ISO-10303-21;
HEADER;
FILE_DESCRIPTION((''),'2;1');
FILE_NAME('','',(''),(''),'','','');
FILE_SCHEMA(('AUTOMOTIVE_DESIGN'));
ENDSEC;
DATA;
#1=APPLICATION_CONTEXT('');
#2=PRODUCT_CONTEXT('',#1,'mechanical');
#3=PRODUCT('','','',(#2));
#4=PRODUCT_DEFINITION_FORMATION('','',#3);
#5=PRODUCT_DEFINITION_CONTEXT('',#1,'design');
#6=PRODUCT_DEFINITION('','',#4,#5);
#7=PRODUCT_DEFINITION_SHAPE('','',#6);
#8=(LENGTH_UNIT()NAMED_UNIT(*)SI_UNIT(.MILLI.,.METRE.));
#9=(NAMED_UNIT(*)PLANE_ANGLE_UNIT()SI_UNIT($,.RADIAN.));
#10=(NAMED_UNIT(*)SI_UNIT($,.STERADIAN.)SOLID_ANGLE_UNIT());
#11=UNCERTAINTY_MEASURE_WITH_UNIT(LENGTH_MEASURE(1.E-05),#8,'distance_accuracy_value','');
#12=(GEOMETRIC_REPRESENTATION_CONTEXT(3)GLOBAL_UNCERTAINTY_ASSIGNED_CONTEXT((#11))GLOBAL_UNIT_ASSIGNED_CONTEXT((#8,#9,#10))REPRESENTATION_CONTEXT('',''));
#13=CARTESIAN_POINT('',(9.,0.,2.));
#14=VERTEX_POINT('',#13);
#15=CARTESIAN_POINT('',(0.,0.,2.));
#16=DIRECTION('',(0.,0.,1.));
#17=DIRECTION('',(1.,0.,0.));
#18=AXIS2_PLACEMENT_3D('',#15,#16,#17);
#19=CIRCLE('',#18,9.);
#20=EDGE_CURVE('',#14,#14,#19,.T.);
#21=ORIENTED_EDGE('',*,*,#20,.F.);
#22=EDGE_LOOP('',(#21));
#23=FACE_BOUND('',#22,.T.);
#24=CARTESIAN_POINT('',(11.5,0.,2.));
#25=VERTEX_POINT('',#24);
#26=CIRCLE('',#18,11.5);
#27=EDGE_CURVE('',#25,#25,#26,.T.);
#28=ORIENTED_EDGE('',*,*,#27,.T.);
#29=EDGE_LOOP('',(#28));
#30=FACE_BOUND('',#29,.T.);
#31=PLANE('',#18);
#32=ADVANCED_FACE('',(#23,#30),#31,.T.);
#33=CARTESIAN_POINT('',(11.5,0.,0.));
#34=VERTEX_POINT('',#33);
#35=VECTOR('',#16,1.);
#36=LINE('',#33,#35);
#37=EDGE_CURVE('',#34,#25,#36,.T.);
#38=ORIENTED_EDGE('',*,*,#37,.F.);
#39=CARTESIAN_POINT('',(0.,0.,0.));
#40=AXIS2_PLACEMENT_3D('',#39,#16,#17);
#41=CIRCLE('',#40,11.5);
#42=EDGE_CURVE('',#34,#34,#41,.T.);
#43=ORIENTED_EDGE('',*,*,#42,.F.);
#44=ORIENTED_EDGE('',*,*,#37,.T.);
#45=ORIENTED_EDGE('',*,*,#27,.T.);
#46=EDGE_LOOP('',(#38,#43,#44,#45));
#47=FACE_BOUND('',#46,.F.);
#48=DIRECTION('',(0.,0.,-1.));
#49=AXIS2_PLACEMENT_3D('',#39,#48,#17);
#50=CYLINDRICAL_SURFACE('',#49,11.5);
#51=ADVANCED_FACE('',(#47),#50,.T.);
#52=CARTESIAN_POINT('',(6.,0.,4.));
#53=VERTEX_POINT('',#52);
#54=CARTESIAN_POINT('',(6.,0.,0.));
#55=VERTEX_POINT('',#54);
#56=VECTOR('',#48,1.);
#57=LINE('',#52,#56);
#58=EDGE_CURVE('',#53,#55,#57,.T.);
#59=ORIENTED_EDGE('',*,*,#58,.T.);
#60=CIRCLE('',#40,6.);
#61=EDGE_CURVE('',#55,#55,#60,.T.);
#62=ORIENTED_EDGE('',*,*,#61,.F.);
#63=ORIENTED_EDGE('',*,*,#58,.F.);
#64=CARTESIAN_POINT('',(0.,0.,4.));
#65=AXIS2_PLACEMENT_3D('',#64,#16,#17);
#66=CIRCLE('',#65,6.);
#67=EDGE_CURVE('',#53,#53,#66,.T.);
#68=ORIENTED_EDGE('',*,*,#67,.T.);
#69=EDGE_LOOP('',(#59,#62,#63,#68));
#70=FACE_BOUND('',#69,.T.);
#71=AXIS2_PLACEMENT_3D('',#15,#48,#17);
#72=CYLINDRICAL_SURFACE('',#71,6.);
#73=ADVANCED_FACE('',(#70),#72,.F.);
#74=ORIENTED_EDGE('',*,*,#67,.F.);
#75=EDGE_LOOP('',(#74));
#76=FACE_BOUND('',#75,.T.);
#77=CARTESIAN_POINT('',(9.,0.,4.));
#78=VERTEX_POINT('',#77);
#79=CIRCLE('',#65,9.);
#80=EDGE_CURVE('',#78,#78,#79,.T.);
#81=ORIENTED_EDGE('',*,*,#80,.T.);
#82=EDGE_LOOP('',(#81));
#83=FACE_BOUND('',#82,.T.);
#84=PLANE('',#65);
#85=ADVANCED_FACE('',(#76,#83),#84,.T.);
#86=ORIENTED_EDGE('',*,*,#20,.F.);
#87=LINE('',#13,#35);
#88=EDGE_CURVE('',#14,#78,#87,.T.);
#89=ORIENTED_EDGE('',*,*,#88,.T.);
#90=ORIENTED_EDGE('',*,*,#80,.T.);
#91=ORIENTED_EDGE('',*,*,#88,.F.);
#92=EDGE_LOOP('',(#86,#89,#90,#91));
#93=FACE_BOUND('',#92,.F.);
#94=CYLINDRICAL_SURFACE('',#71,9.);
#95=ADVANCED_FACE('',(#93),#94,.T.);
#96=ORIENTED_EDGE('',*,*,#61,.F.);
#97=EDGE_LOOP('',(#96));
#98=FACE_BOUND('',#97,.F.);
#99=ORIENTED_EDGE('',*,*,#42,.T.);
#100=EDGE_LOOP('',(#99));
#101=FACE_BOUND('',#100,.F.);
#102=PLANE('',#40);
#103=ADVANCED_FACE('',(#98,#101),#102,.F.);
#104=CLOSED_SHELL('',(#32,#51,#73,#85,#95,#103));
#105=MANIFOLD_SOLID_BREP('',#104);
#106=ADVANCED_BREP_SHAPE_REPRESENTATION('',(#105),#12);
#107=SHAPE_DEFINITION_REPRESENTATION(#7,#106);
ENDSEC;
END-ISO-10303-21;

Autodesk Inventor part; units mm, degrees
ref_plane "YZ Plane" through (0, 0, 0) normal (1, 0, 0) x (0, 1, 0)
ref_plane "XZ Plane" through (0, 0, 0) normal (0, 1, 0) x (-1, 0, 0)
ref_plane "XY Plane" through (0, 0, 0) normal (0, 0, 1) x (1, 0, 0)
sketch "スケッチ1" plane through (0, 0, 0) normal (0, 0, 1) x (1, 0, 0)
  circle A0 centre (0, 0) radius 6
  circle A1 centre (0, 0) radius 9
  circle A2 centre (0, 0) radius 11.5
  dimension "d0" = 12
  dimension "d1" = 18
  dimension "d2" = 23
extrude "押し出し1" add sketch "スケッチ1" along normal blind 2 contours A1 | A2
sketch "スケッチ2" plane through (0, 0, 2) normal (0, 0, 1) x (1, 0, 0)
  circle A0 centre (0, 0) radius 11.5 projected
  circle A1 centre (0, 0) radius 6 projected
  circle A2 centre (0, 0) radius 6
  circle A3 centre (0, 0) radius 9
  dimension "d5" = 12
  dimension "d6" = 18
extrude "押し出し2" add sketch "スケッチ2" along normal blind 2 contours A3
properties part number "bear_12_18"
